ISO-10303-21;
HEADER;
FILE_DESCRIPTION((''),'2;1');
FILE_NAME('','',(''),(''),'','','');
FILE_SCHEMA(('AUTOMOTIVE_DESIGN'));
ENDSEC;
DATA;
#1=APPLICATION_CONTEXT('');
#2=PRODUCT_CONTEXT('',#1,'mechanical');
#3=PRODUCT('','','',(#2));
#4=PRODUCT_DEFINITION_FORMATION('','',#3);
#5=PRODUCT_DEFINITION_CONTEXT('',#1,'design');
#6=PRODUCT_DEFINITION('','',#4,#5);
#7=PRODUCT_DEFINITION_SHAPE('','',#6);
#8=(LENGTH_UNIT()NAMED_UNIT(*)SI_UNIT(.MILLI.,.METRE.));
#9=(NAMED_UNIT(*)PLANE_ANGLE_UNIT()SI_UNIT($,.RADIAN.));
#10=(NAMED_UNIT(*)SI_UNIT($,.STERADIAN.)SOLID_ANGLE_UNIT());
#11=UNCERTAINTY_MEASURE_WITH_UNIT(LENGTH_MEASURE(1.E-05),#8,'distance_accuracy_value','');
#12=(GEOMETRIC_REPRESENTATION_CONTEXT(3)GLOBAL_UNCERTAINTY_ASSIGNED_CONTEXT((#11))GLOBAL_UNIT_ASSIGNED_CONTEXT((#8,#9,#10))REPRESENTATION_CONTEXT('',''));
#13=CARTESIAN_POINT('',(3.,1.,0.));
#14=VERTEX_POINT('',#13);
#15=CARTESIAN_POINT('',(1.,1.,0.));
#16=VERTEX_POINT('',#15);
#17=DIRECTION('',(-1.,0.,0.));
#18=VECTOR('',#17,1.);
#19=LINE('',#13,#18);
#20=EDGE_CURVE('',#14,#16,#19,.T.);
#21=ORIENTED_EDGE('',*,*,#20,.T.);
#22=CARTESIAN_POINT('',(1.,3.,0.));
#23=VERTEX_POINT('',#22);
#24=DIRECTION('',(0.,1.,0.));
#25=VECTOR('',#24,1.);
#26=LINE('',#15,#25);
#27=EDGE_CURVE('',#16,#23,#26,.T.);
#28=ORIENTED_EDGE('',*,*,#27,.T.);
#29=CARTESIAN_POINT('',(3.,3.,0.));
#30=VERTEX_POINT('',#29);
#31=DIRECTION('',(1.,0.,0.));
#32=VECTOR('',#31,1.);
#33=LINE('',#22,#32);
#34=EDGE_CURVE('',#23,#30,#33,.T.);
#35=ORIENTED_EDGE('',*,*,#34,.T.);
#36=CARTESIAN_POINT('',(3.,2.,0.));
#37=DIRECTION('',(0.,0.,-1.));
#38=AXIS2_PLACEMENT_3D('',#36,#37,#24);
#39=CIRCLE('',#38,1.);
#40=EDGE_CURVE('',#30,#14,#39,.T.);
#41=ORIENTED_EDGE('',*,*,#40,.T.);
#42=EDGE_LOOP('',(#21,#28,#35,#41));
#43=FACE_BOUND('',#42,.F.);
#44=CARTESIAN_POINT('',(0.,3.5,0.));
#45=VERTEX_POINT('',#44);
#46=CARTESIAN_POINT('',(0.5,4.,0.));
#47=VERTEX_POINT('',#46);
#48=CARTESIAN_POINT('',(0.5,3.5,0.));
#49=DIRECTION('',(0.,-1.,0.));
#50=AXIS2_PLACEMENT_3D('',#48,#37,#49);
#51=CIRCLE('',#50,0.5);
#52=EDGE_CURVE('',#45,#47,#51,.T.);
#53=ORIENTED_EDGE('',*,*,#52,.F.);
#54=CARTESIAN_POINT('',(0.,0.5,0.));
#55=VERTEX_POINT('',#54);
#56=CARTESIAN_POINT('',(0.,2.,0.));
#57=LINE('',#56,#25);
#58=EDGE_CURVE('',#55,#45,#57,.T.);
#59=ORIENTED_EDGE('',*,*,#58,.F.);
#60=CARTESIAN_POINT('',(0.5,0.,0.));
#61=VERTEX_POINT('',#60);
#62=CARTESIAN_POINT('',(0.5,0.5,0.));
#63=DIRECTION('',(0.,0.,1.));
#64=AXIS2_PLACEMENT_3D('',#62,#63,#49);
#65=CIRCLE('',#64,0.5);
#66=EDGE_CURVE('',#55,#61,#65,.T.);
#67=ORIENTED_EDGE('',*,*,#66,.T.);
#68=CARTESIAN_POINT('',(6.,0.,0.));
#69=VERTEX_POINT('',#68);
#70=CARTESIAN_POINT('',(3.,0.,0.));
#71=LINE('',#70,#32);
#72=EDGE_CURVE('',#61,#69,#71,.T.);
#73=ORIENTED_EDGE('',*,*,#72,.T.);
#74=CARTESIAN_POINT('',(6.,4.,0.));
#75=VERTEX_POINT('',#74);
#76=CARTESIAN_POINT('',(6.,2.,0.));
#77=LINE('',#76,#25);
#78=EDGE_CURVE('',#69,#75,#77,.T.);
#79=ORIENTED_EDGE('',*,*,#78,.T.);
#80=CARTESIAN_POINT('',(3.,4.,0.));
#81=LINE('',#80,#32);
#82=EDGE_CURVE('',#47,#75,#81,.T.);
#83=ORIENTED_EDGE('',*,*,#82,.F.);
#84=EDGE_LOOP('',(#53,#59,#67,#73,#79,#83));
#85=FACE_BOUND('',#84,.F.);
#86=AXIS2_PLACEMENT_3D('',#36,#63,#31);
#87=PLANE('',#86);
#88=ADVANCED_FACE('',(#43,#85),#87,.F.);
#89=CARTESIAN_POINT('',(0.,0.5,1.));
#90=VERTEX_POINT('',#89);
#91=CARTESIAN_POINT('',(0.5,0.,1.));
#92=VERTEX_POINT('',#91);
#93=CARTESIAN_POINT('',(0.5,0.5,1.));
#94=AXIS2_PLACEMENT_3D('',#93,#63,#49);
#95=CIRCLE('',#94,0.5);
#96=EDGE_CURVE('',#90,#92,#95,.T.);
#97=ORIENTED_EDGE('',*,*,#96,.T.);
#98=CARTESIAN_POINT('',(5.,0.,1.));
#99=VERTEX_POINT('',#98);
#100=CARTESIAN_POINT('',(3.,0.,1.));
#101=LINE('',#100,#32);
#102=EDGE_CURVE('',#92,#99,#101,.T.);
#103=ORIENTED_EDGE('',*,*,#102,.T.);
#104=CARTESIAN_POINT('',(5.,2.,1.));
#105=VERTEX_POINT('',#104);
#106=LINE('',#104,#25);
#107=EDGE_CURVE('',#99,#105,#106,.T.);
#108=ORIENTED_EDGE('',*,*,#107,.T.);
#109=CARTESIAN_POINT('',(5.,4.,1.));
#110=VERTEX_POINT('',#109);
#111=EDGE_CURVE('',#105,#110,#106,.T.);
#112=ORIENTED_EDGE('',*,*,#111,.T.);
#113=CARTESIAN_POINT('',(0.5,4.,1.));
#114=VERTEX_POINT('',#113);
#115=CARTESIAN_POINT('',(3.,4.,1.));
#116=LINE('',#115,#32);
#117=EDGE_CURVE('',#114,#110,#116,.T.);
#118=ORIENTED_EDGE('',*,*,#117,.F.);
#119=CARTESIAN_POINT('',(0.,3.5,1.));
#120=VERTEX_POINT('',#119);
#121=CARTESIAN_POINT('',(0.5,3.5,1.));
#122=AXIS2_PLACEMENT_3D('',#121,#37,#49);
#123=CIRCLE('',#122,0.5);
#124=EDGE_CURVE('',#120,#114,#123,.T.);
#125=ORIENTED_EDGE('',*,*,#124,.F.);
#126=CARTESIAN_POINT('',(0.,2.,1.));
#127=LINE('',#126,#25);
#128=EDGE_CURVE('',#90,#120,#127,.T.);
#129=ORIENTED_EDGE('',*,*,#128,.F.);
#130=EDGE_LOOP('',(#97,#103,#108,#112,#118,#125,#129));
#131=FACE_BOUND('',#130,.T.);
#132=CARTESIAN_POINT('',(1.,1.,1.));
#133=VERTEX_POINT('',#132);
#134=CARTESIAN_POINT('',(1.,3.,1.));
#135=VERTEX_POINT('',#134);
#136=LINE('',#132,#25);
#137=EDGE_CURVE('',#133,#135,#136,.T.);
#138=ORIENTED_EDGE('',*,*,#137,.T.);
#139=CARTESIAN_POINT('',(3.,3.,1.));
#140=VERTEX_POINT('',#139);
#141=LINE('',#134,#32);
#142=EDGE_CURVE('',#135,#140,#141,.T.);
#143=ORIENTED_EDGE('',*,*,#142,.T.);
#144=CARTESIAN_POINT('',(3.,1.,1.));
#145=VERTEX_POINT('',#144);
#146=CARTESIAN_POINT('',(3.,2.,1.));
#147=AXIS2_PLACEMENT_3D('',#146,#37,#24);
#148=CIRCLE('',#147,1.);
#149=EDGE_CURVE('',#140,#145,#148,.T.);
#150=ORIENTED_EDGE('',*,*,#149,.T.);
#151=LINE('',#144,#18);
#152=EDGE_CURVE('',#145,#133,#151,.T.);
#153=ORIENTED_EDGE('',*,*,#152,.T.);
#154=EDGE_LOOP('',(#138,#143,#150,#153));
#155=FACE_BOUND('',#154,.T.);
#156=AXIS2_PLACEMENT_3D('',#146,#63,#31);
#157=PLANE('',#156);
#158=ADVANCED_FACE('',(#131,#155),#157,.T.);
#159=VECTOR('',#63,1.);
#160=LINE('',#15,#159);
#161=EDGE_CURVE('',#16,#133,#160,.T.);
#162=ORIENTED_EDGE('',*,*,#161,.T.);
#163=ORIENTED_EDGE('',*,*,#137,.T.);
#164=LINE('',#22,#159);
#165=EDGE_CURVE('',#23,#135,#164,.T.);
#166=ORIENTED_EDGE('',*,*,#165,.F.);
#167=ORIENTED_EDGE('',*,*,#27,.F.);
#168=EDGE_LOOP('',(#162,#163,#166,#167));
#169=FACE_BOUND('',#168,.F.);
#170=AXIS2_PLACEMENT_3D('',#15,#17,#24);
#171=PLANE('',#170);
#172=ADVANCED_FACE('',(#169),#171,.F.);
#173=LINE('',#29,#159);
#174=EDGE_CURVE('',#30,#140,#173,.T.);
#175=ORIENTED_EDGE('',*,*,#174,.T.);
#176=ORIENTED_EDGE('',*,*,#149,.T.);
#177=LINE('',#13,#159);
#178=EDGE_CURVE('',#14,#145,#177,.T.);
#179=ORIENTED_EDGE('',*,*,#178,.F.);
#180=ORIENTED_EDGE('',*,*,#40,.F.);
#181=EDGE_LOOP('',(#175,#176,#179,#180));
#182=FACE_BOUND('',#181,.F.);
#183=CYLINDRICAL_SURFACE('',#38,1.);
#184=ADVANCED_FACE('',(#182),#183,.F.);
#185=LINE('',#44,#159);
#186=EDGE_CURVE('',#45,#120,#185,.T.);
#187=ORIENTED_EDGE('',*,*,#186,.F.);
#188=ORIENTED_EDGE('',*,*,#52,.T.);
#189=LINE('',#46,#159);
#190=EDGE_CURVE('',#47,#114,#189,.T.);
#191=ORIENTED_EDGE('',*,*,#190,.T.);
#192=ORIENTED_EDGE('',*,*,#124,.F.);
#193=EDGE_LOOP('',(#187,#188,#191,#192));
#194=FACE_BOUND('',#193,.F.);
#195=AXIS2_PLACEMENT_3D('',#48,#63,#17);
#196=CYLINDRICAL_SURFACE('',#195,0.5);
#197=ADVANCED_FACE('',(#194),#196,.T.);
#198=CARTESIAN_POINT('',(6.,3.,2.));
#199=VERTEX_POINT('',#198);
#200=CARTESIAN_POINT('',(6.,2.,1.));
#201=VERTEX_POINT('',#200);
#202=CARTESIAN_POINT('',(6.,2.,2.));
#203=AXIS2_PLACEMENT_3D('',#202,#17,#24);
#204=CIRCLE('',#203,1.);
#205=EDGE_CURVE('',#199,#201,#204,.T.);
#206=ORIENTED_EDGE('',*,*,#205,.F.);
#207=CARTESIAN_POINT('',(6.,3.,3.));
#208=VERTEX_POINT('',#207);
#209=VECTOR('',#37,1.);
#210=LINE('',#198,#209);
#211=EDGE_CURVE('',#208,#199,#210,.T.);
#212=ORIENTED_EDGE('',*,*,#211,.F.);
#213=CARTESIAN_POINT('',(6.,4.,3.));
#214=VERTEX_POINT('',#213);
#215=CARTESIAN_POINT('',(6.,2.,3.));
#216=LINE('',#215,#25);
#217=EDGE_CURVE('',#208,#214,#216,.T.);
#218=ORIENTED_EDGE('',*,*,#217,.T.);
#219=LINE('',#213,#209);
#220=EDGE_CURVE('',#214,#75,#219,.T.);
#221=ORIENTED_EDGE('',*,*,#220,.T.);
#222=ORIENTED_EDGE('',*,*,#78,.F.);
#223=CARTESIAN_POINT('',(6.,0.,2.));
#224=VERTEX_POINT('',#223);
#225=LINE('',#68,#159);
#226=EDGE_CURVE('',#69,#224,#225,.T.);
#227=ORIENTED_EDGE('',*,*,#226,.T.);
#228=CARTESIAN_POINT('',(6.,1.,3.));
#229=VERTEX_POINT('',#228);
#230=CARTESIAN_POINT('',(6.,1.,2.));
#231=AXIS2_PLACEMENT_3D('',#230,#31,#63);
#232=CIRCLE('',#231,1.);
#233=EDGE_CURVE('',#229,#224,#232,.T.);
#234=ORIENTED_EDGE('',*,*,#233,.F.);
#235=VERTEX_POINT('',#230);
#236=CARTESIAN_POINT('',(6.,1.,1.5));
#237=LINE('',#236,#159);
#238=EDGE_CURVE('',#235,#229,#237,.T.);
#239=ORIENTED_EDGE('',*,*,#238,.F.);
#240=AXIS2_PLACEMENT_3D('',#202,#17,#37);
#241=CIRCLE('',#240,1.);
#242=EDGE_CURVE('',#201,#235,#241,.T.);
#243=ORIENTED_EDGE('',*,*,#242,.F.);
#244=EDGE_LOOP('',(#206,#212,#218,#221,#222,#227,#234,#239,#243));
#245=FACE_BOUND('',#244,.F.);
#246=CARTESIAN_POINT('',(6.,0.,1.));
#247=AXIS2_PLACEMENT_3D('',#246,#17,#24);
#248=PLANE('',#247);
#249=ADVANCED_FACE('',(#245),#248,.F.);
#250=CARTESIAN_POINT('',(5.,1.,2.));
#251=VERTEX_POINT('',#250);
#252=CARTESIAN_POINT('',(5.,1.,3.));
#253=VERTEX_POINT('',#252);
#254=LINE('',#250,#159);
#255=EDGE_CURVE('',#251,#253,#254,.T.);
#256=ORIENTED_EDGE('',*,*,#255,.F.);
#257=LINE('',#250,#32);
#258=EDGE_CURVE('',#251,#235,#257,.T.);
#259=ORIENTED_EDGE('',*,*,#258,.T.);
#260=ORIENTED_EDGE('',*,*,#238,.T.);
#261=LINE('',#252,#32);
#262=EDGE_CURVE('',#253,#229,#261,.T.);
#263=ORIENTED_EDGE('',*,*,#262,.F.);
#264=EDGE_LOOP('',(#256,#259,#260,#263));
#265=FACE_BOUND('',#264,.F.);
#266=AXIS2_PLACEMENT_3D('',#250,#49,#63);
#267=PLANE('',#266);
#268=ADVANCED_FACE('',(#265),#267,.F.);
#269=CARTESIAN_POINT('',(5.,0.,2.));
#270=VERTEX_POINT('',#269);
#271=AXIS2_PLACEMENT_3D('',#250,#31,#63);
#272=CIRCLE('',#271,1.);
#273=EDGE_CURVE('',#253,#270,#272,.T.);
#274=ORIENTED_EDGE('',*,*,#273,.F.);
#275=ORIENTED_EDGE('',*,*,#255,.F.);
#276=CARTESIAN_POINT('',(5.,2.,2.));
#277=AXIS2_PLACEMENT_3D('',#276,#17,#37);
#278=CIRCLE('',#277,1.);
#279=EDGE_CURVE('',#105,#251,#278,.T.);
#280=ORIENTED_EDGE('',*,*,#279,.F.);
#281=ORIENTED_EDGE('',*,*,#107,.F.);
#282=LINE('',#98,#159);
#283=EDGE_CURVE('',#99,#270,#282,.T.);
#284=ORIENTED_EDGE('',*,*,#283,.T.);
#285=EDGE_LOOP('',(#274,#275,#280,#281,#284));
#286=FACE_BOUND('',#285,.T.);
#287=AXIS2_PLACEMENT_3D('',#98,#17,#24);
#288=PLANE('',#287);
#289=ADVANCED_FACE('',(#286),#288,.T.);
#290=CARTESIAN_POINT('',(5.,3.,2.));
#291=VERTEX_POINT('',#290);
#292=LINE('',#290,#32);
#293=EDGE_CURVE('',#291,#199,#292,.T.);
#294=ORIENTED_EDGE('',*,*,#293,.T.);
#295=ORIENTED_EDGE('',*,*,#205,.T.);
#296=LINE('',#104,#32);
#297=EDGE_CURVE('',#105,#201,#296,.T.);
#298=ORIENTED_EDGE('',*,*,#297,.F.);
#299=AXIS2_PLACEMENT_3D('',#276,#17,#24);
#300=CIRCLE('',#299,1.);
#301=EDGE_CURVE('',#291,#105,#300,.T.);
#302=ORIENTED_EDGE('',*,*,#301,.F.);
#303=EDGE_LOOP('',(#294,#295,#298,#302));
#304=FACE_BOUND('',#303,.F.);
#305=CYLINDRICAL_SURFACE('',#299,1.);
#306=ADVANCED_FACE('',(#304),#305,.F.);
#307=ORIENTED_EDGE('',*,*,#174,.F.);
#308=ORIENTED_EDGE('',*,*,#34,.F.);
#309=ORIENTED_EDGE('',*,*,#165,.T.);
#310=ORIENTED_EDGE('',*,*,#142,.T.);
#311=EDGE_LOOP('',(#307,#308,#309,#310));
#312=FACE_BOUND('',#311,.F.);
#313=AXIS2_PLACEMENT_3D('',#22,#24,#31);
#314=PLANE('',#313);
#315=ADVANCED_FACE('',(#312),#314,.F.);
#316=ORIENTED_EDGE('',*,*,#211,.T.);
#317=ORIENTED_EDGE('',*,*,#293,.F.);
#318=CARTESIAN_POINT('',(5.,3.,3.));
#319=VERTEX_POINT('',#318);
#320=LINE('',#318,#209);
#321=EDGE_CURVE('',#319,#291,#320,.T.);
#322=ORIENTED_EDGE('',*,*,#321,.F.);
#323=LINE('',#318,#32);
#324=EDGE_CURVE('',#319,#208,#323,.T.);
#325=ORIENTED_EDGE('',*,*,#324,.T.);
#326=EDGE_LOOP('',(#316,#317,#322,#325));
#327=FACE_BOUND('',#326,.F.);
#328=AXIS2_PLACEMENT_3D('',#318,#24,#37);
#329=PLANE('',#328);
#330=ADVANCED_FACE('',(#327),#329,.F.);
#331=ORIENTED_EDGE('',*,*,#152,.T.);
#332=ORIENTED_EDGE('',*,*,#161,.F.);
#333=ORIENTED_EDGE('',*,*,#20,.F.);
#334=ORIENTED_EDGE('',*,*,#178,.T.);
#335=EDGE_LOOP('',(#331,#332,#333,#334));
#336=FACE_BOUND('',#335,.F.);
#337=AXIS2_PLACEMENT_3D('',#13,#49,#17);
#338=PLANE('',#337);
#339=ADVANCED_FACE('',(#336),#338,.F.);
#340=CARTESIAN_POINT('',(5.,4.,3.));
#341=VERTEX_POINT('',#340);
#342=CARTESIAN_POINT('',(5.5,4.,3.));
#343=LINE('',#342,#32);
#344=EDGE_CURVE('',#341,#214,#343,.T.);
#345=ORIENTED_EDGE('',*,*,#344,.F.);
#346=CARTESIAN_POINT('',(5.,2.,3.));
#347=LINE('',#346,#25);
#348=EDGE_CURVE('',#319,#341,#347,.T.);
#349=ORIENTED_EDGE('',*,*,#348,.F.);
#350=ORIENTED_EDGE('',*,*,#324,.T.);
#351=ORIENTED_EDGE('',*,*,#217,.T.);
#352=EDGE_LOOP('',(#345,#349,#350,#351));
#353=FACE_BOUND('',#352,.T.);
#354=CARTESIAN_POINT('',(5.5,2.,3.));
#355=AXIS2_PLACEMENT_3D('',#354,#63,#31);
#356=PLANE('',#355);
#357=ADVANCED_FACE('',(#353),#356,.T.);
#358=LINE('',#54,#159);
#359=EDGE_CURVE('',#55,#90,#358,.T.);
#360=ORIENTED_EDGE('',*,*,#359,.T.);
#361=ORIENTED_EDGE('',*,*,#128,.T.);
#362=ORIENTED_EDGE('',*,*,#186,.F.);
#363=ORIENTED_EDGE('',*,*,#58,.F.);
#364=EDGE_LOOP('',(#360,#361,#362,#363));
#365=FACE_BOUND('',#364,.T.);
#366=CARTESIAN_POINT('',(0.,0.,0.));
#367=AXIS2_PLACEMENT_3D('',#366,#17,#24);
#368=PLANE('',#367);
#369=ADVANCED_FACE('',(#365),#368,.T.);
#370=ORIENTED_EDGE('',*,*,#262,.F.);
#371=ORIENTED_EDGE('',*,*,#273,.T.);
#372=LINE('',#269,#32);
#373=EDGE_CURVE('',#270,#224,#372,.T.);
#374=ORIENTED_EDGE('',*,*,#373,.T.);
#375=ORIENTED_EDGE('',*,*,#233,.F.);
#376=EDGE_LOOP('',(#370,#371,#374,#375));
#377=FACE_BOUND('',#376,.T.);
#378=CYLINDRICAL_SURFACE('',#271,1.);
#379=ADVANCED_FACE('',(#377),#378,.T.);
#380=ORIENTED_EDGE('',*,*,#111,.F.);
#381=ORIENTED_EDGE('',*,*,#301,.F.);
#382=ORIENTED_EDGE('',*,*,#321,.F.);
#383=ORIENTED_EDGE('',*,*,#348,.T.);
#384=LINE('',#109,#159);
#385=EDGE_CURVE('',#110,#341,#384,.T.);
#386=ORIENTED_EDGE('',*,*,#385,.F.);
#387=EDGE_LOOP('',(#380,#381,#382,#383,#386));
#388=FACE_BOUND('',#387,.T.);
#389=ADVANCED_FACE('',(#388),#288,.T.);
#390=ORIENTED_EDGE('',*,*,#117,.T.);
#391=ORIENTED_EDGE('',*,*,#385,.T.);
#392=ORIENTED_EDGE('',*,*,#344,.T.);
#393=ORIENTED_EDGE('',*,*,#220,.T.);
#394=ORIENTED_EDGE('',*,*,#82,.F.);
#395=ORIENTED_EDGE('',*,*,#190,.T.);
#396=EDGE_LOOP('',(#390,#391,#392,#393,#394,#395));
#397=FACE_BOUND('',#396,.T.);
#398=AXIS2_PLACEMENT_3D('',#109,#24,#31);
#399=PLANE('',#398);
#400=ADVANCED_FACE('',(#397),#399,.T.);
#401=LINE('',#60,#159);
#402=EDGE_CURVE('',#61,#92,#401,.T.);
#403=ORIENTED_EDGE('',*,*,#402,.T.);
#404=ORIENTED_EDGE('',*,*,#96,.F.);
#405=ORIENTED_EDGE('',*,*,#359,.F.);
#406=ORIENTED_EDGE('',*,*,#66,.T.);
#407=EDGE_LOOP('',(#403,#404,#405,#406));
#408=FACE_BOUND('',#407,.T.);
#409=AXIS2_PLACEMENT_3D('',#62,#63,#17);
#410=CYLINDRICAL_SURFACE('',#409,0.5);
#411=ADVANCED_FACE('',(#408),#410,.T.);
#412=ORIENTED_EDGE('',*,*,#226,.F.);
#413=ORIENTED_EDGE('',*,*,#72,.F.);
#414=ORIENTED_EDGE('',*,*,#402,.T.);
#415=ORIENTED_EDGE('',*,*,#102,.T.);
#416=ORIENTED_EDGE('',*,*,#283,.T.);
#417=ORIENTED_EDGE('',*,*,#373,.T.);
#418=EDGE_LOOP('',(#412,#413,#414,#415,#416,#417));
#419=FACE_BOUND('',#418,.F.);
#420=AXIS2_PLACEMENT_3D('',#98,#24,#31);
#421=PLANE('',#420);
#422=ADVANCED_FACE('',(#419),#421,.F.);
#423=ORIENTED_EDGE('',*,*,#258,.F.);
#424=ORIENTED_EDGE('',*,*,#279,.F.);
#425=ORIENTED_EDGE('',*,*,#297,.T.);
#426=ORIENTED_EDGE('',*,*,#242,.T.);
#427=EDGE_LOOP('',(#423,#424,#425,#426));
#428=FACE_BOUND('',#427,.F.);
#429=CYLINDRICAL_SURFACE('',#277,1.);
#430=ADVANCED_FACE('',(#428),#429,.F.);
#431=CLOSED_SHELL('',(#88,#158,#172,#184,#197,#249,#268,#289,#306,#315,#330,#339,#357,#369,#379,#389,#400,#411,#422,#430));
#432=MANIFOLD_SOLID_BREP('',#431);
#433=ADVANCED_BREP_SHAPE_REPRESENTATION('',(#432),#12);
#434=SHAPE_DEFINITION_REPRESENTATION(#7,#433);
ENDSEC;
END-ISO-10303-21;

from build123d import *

# Parameters (mm, degrees)
F0_W     = 6
F0_H     = 4
F1_DEPTH = 1
F2_R     = 0.5
F3_W     = 1
F3_H     = 4
F4_DEPTH = 2
F5_R     = 1
F7_DEPTH = 25


with BuildPart() as f1:
    # F0 (on Top) → F1 (new body)
    with BuildSketch(Plane.XY):
        with Locations((3, 2)):
            Rectangle(F0_W, F0_H)
        with BuildLine():
            Line((3, 1), (1, 1))
            Line((1, 1), (1, 3))
            Line((1, 3), (3, 3))
            ThreePointArc((3, 3), (4, 2), (3, 1))
        make_face(mode=Mode.SUBTRACT)
    extrude(amount=F1_DEPTH)

    # F2
    f2_edges = [f1.edges().sort_by_distance(p)[0] for p in [
        (0, 0, 0.5),
        (0, 4, 0.5),
    ]]
    fillet(f2_edges, radius=F2_R)

    # F3 (on face) → F4 (join)
    with BuildSketch(Plane.XY.offset(1)):
        with Locations((5.5, 2)):
            Rectangle(F3_W, F3_H)
    extrude(amount=F4_DEPTH)

    # F5
    f5_edges = [f1.edges().sort_by_distance(p)[0] for p in [
        (5.5, 0, 3),
    ]]
    fillet(f5_edges, radius=F5_R)

    # F6 (on face) → F7 (cut)
    with BuildSketch(Plane(origin=(5, 0, 0), x_dir=(0, -1, 0), z_dir=(-1, 0, 0))):
        with BuildLine():
            Line((-1, 3), (-3, 3))
            Line((-3, 3), (-3, 2))
            ThreePointArc((-3, 2), (-2.7071067812, 1.2928932188), (-2, 1))
            ThreePointArc((-2, 1), (-1.2928932188, 1.2928932188), (-1, 2))
            Line((-1, 2), (-1, 3))
        make_face()
    extrude(amount=-F7_DEPTH, mode=Mode.SUBTRACT)


solid = f1.part
